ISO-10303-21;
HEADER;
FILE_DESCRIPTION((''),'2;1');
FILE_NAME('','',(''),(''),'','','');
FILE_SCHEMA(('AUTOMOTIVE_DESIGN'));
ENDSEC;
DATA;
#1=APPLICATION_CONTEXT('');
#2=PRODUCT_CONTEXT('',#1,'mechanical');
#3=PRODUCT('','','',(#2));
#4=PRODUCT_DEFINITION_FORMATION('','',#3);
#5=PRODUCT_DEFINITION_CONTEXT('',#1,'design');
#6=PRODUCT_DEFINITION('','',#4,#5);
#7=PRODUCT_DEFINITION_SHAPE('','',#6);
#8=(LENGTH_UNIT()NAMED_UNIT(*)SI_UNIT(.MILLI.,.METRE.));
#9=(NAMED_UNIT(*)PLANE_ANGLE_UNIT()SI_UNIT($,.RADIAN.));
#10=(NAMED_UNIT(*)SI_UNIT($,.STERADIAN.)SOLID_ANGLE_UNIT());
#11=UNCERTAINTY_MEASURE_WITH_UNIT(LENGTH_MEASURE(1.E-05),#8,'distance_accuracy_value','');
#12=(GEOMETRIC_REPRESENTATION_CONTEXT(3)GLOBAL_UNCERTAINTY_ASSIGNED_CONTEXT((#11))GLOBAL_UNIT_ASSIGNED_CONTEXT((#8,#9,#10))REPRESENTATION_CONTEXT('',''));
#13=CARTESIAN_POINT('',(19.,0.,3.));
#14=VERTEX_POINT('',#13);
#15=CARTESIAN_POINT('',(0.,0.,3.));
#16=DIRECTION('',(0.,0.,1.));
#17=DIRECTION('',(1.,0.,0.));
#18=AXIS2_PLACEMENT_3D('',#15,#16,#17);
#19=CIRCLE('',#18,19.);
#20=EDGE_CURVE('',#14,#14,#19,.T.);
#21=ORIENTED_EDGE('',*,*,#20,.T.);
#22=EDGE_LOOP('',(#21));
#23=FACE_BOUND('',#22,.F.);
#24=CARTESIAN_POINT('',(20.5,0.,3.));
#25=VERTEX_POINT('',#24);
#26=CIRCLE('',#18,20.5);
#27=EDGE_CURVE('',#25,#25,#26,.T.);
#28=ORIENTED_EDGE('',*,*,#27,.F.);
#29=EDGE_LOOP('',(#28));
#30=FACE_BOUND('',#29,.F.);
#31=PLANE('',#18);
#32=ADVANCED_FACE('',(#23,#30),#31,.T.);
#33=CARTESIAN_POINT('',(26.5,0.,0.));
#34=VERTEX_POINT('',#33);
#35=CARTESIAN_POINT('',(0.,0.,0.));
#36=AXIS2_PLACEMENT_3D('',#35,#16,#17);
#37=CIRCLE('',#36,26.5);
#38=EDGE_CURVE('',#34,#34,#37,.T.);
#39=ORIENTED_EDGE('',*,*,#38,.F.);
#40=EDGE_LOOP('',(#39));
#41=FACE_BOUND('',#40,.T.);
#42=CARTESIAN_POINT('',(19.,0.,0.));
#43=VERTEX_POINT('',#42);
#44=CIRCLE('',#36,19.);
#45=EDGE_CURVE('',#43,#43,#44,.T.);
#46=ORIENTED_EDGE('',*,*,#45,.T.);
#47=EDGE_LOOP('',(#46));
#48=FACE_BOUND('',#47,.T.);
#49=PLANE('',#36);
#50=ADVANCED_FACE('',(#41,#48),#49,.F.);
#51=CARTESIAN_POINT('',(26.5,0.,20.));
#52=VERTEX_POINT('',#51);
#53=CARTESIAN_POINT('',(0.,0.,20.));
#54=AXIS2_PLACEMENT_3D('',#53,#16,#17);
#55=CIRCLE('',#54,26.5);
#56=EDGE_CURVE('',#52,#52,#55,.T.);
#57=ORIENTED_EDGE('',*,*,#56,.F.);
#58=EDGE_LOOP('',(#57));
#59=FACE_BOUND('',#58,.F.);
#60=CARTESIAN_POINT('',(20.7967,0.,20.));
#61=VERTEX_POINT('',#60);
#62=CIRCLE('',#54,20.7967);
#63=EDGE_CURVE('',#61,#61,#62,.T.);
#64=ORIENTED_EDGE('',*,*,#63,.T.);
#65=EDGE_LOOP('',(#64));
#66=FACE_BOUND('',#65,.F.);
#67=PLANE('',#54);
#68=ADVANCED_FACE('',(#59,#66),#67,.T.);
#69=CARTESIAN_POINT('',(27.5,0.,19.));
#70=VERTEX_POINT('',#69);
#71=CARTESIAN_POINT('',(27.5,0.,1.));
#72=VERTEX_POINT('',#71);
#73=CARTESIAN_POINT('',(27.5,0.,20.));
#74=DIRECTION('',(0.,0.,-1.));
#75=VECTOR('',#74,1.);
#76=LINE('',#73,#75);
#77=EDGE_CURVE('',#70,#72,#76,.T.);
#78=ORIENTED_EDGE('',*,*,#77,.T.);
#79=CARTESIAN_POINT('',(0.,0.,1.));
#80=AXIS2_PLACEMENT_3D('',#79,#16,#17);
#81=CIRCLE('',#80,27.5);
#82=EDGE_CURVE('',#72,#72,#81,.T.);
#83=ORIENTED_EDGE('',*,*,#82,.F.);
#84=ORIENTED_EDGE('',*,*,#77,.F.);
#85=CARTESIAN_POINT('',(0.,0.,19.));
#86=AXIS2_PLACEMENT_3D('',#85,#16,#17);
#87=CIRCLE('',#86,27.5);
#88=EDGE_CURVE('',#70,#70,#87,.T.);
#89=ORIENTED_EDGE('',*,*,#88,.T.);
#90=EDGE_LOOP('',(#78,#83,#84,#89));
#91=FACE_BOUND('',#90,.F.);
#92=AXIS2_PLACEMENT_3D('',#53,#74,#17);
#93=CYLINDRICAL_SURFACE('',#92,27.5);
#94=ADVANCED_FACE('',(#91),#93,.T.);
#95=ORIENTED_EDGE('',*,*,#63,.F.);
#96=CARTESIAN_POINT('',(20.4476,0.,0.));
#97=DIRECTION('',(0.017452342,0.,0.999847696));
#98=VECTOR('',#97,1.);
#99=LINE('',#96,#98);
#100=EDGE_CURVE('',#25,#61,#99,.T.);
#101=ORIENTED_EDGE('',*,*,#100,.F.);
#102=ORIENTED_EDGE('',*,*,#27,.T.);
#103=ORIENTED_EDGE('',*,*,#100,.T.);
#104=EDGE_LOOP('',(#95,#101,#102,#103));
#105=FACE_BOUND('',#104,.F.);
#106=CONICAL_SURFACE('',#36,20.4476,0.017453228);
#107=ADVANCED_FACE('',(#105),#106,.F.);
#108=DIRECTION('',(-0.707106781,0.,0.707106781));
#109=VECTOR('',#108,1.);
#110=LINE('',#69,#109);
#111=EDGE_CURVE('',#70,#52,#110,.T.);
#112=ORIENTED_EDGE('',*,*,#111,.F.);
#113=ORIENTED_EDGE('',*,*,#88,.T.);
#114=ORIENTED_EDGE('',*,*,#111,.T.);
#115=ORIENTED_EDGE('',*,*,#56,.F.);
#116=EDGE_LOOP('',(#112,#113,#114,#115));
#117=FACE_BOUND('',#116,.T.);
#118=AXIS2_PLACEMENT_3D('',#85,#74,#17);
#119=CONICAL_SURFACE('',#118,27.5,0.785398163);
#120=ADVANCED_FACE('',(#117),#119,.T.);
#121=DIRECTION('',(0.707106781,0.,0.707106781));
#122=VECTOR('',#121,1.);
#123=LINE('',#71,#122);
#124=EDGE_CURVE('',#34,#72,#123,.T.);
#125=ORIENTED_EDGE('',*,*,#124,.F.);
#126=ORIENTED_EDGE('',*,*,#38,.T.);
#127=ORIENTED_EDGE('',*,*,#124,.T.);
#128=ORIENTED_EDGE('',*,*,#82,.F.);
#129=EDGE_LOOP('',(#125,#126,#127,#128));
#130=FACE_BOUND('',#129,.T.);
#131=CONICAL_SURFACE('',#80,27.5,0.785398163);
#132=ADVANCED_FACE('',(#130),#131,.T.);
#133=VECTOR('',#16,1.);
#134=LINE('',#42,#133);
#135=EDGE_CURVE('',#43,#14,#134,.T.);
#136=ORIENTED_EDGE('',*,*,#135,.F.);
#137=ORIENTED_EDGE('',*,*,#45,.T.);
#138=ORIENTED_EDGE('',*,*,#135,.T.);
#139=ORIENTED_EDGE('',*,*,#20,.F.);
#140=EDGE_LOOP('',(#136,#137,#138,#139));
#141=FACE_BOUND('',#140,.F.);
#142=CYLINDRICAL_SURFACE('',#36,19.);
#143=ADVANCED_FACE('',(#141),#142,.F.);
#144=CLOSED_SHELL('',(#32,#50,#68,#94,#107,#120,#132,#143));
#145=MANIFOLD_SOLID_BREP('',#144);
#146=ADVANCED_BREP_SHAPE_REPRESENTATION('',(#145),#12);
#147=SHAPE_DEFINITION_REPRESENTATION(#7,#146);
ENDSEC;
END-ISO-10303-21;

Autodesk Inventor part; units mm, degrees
ref_plane "YZ Plane" through (0, 0, 0) normal (1, 0, 0) x (0, 1, 0)
ref_plane "XZ Plane" through (0, 0, 0) normal (0, 1, 0) x (-1, 0, 0)
ref_plane "XY Plane" through (0, 0, 0) normal (0, 0, 1) x (1, 0, 0)
sketch "Skizze1" plane through (0, 0, 0) normal (0, 1, 0) x (-1, 0, 0)
  line L0 (-20.4476, 0) -> (-20.7967, 20)
  line L1 (-20.4476, 0) -> (-0.4446, 0) construction
  line L2 (-20.7967, 20) -> (-27.5, 20)
  line L3 (-27.5, 20) -> (-27.5, 0)
  line L4 (0, -4) -> (0, 24) projected
  line L5 (-20.4476, 0) -> (-27.5, 0)
  line L6 (5.5, 0) -> (-33, 0) projected
  line L7 (0, -4) -> (0, 24) projected
  line L8 (-20.5, 0) -> (-19, 0)
  line L9 (-19, 0) -> (-19, 3)
  line L10 (-19, 3) -> (-20.5, 3)
  line L11 (-20.5, 3) -> (-20.5, 0)
  point P0 (0, 0)
  dimension "d1" = 91
  dimension "d2" = 0
  dimension "d4" = 0
  dimension "d6" = 20
  dimension "d9" = 27.5
  dimension "d10" = 3
  dimension "d11" = 19
  dimension "d12" = 20.5
revolve "Umdrehung1" add sketch "Skizze1" angle 360 about axis through (0, 0, -10) along (0, 0, 1)
chamfer "Fasen1" distance 1 angle 45 2 edges at (-27.5, 0, 20) (-27.5, 0, 0)
properties part number "NAUO43_Tubelens_156.5_Astromedia"
